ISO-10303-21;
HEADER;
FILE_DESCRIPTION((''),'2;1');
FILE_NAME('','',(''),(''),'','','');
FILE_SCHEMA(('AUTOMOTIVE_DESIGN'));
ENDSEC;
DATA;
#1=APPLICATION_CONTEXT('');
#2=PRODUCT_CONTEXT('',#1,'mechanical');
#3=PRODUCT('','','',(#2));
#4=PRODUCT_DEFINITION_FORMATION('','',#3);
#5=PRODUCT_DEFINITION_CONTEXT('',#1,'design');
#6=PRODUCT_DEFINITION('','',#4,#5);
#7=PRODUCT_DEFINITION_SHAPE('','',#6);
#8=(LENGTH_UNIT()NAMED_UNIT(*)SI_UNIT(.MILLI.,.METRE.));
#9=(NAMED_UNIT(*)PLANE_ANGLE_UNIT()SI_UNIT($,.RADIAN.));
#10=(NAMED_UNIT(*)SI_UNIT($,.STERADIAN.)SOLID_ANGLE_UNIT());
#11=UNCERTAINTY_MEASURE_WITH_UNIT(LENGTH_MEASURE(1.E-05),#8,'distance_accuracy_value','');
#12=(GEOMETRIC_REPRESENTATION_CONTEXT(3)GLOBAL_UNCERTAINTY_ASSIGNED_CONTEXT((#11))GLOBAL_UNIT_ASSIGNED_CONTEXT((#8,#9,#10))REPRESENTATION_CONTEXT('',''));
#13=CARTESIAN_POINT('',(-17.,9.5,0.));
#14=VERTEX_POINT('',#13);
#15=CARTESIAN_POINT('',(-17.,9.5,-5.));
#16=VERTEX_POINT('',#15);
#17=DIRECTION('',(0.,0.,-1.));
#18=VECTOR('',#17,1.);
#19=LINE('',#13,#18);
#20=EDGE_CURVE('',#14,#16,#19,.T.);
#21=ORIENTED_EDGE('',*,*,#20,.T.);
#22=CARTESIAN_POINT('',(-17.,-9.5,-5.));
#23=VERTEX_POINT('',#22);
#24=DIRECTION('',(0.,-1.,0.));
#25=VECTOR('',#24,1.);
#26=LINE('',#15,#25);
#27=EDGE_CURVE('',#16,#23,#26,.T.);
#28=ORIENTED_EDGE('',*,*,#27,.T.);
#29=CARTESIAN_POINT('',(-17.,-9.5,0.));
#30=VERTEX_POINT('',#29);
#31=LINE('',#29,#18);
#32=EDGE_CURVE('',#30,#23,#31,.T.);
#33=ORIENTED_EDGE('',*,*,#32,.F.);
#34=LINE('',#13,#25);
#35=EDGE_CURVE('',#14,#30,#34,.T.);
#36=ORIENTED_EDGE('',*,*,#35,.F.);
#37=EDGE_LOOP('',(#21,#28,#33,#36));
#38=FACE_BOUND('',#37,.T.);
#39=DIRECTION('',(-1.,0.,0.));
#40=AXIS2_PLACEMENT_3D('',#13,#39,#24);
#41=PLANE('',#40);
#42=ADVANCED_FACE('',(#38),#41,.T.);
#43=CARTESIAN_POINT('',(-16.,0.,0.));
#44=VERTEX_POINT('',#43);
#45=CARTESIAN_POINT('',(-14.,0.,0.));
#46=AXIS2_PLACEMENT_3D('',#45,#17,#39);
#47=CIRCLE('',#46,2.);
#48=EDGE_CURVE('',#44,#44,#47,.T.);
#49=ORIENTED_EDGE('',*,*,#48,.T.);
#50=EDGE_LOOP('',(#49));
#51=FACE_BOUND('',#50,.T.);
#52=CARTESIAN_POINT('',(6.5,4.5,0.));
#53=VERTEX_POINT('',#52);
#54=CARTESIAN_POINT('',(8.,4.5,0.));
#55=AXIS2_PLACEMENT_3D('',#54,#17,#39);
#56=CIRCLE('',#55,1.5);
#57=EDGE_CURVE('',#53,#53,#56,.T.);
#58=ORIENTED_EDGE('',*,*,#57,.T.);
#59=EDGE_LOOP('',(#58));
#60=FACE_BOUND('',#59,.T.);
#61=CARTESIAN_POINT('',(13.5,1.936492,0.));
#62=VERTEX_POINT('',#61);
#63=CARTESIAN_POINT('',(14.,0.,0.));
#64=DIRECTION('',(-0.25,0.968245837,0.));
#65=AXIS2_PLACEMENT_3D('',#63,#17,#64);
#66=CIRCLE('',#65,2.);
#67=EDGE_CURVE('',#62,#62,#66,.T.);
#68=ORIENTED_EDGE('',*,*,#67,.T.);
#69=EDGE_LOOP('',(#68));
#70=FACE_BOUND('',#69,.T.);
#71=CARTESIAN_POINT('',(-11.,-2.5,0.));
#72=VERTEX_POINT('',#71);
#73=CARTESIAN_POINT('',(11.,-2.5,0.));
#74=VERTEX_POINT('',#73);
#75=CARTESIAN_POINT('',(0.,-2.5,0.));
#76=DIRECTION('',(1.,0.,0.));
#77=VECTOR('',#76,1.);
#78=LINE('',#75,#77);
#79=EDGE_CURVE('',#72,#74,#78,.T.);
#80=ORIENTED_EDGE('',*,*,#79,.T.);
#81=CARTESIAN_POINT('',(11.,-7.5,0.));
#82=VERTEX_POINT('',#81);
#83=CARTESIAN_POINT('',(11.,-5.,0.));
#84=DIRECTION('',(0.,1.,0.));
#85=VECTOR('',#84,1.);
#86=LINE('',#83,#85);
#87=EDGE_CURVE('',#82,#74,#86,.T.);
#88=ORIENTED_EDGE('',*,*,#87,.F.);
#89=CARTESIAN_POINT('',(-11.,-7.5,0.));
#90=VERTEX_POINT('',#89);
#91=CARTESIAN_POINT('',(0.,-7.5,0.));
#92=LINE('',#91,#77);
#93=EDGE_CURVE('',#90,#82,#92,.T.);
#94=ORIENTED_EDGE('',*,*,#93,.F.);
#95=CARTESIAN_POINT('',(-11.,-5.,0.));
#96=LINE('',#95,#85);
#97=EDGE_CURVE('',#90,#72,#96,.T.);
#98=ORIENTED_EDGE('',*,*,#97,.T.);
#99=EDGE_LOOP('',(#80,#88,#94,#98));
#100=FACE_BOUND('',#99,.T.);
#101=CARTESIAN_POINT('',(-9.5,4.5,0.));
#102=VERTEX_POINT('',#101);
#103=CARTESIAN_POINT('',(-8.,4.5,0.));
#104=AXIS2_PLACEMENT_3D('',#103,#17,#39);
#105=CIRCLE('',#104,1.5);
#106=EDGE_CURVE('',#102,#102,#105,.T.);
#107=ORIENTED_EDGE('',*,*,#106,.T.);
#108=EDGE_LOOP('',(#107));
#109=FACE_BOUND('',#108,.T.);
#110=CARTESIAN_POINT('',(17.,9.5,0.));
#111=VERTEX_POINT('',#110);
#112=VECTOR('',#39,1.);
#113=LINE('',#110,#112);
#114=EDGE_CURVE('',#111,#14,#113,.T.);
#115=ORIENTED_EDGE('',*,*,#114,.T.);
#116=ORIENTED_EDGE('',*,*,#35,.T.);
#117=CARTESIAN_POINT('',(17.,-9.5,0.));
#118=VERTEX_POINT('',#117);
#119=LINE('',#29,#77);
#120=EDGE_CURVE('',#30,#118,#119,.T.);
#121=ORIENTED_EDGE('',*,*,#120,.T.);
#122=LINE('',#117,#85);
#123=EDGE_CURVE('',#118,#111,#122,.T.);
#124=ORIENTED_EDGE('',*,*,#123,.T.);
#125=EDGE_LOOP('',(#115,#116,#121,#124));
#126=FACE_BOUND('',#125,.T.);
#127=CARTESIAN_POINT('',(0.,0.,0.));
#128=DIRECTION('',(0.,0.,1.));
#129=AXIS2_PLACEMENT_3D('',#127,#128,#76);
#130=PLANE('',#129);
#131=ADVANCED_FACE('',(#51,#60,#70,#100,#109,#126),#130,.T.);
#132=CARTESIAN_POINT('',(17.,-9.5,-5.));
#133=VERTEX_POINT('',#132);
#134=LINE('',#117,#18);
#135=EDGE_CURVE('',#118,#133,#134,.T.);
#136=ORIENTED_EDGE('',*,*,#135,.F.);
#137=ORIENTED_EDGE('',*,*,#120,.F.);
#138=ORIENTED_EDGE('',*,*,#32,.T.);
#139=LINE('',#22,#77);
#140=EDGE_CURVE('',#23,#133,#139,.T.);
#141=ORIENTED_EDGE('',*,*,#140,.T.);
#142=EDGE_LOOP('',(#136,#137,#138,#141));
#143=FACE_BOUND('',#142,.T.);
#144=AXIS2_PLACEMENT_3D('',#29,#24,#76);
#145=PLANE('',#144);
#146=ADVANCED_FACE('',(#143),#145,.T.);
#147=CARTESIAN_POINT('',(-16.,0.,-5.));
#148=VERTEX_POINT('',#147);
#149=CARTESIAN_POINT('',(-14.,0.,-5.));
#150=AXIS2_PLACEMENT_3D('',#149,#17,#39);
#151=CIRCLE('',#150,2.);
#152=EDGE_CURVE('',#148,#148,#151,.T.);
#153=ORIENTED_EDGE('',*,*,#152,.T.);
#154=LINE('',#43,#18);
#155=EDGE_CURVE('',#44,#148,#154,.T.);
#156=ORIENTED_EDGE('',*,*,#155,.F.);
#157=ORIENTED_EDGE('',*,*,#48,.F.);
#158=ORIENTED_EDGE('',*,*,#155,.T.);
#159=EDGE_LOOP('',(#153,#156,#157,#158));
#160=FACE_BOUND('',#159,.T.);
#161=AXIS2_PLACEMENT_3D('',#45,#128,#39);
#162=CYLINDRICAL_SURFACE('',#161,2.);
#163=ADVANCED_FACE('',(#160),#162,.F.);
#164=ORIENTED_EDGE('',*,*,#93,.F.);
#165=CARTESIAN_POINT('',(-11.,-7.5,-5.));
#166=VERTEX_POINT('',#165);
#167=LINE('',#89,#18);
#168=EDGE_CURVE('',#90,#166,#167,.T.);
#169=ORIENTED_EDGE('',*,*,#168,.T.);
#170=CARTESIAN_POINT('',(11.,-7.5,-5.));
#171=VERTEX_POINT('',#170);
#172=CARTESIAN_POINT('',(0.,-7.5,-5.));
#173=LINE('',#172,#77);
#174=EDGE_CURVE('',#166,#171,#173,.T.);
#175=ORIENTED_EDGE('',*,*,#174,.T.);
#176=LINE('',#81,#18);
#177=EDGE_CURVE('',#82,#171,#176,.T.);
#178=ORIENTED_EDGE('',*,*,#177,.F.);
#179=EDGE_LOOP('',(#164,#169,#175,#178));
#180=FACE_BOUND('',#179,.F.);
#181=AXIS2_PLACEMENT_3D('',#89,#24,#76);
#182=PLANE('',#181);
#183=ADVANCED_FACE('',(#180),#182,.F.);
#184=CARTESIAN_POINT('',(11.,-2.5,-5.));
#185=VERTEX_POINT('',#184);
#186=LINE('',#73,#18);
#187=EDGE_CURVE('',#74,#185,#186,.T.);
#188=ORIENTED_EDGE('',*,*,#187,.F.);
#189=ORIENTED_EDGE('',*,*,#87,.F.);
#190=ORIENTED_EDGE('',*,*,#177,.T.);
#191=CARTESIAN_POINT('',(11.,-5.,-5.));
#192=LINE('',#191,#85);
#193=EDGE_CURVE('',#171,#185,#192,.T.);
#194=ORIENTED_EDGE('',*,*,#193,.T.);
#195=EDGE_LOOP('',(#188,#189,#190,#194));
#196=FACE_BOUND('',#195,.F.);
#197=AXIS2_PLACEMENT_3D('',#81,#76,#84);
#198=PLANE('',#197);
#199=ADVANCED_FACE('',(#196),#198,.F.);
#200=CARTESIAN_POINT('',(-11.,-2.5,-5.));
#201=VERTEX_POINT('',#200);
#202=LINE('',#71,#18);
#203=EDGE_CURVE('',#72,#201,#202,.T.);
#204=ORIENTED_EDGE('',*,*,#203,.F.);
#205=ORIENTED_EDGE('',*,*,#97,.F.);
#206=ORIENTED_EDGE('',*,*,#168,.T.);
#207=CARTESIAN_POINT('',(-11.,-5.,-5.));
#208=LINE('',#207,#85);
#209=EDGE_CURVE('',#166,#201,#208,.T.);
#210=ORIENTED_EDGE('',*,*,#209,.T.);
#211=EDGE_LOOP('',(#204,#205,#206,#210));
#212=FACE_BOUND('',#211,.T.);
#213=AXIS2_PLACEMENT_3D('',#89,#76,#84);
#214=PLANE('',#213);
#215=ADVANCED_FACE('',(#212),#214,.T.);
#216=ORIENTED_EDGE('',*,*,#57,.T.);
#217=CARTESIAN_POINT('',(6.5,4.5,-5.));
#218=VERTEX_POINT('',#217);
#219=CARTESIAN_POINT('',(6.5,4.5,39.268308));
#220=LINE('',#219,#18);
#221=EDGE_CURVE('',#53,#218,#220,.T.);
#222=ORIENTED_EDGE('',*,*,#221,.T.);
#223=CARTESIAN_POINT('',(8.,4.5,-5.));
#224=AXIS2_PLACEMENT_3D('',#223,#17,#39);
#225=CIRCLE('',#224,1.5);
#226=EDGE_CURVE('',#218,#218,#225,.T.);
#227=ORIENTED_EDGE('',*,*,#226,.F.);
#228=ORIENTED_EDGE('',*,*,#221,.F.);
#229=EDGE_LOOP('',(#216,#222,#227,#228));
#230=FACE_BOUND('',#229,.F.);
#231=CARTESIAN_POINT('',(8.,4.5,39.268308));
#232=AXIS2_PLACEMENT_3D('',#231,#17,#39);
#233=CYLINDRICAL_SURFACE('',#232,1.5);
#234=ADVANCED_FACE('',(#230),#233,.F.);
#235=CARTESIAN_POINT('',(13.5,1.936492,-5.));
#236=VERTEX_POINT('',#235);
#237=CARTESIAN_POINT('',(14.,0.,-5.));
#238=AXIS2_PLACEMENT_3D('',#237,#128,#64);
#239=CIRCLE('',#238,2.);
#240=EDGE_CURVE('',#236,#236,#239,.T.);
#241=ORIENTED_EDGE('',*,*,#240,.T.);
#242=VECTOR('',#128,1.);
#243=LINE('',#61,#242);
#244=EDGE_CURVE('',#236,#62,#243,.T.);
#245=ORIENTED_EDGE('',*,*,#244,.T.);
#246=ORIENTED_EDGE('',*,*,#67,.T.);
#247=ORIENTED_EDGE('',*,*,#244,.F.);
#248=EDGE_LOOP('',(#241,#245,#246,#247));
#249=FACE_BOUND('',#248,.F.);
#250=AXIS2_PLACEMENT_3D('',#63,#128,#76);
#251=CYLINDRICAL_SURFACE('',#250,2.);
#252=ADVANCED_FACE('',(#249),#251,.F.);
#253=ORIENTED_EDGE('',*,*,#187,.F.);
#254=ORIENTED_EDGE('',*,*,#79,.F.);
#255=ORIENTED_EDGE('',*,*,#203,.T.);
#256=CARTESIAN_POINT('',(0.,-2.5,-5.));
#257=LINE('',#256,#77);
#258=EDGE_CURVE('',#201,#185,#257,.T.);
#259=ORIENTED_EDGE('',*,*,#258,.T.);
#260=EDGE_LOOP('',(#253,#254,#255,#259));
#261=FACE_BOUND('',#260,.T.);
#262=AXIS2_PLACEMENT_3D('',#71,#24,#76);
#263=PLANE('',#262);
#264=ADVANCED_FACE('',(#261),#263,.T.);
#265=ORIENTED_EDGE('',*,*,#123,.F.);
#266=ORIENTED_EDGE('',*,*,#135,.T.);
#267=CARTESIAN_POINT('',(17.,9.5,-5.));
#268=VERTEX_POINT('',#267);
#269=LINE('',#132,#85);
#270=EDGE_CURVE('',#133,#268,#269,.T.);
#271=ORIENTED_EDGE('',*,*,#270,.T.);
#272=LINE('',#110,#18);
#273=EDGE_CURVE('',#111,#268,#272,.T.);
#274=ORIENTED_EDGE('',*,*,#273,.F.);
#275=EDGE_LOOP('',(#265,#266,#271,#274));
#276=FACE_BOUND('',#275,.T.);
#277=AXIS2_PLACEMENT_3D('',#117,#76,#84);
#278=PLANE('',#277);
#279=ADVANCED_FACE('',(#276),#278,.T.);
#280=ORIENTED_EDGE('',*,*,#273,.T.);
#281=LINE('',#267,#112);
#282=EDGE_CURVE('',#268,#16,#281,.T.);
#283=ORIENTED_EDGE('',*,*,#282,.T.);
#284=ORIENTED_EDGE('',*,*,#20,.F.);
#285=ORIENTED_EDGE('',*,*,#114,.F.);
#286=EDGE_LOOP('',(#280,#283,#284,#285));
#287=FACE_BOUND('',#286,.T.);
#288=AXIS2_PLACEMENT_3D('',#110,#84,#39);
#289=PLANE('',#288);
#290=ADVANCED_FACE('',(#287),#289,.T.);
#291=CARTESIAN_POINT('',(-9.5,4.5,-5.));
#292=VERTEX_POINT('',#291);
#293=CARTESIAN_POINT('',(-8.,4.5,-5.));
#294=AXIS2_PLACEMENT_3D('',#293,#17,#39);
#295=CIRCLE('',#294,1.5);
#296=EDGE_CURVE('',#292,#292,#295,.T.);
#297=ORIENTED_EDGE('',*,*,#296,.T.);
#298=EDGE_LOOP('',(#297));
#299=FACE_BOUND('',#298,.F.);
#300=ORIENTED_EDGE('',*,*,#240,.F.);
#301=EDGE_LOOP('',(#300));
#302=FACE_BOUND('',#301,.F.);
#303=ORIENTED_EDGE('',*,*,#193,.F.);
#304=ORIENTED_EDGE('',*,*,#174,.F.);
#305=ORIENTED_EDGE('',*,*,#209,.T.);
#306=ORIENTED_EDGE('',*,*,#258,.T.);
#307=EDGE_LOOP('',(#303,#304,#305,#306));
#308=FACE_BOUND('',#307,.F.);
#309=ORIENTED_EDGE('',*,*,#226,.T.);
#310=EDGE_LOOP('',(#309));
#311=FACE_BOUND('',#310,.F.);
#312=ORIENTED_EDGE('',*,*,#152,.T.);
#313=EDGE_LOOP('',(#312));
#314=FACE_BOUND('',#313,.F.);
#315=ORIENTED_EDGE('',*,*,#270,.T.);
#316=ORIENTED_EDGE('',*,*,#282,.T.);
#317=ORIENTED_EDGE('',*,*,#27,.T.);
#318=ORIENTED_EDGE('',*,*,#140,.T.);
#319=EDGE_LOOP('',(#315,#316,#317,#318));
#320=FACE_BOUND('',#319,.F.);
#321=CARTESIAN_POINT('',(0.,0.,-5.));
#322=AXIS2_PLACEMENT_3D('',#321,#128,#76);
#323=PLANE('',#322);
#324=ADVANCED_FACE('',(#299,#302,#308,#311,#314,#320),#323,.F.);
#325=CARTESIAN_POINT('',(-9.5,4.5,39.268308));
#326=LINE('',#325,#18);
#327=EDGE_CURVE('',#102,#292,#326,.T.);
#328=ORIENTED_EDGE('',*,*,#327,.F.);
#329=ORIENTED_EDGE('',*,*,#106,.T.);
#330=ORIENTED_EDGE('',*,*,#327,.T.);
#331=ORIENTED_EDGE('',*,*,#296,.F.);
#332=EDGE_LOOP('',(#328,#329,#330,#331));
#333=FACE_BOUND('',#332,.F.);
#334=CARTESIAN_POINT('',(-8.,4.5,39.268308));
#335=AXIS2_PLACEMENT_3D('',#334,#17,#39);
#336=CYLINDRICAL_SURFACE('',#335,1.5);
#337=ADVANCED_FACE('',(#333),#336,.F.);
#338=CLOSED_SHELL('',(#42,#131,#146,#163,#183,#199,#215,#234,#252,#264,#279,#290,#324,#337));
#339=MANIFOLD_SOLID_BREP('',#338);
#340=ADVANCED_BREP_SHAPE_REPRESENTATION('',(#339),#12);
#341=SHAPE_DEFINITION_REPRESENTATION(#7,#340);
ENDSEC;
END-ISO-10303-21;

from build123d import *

# Parameters (mm, degrees)
F0_W     = 22
F0_H     = 5
F0_R     = 2
F1_DEPTH = 5
F3_D     = 4
F4_DEPTH = 5
F6_D     = 3


with BuildPart() as f1:
    # F0 (on Top) → F1 (new body)
    with BuildSketch(Plane.XY):
        Polygon((17, 0), (17, 9.5), (-17, 9.5), (-17, 0), (-17, -7.5), (-17, -9.5), (-11, -9.5), (14, -9.5), (17, -9.5), (17, -7.5), align=None)
        with Locations((0, -5)):
            Rectangle(F0_W, F0_H, mode=Mode.SUBTRACT)
        with BuildLine():
            ThreePointArc((-12, 0), (-14, -2), (-16, 0))
            ThreePointArc((-16, 0), (-14, 2), (-12, 0))
        make_face(mode=Mode.SUBTRACT)
        with Locations((14, 0)):
            Circle(F0_R, mode=Mode.SUBTRACT)
    extrude(amount=-F1_DEPTH)

    # F3 (through all)
    with Locations(Plane.XY):
        with Locations((13, 0)):
            Hole(F3_D / 2)

    # F0 (on Top) → F4 (join)
    with BuildSketch(Plane.XY):
        with BuildLine():
            ThreePointArc((-12, 0), (-14, 2), (-16, 0))
            ThreePointArc((-16, 0), (-14, -2), (-12, 0))
        make_face()
        with Locations((14, 0)):
            Circle(F0_R)
        Polygon((17, 0), (17, 9.5), (-17, 9.5), (-17, 0), (-17, -7.5), (-17, -9.5), (-11, -9.5), (14, -9.5), (17, -9.5), (17, -7.5), align=None)
        with Locations((0, -5)):
            Rectangle(F0_W, F0_H, mode=Mode.SUBTRACT)
        with BuildLine():
            ThreePointArc((-12, 0), (-14, -2), (-16, 0))
            ThreePointArc((-16, 0), (-14, 2), (-12, 0))
        make_face(mode=Mode.SUBTRACT)
        with Locations((14, 0)):
            Circle(F0_R, mode=Mode.SUBTRACT)
    extrude(amount=-F4_DEPTH)

    # F6 (through all)
    with Locations(Plane.XY):
        with Locations((-8, 4.5), (8, 4.5)):
            Hole(F6_D / 2)


solid = f1.part
